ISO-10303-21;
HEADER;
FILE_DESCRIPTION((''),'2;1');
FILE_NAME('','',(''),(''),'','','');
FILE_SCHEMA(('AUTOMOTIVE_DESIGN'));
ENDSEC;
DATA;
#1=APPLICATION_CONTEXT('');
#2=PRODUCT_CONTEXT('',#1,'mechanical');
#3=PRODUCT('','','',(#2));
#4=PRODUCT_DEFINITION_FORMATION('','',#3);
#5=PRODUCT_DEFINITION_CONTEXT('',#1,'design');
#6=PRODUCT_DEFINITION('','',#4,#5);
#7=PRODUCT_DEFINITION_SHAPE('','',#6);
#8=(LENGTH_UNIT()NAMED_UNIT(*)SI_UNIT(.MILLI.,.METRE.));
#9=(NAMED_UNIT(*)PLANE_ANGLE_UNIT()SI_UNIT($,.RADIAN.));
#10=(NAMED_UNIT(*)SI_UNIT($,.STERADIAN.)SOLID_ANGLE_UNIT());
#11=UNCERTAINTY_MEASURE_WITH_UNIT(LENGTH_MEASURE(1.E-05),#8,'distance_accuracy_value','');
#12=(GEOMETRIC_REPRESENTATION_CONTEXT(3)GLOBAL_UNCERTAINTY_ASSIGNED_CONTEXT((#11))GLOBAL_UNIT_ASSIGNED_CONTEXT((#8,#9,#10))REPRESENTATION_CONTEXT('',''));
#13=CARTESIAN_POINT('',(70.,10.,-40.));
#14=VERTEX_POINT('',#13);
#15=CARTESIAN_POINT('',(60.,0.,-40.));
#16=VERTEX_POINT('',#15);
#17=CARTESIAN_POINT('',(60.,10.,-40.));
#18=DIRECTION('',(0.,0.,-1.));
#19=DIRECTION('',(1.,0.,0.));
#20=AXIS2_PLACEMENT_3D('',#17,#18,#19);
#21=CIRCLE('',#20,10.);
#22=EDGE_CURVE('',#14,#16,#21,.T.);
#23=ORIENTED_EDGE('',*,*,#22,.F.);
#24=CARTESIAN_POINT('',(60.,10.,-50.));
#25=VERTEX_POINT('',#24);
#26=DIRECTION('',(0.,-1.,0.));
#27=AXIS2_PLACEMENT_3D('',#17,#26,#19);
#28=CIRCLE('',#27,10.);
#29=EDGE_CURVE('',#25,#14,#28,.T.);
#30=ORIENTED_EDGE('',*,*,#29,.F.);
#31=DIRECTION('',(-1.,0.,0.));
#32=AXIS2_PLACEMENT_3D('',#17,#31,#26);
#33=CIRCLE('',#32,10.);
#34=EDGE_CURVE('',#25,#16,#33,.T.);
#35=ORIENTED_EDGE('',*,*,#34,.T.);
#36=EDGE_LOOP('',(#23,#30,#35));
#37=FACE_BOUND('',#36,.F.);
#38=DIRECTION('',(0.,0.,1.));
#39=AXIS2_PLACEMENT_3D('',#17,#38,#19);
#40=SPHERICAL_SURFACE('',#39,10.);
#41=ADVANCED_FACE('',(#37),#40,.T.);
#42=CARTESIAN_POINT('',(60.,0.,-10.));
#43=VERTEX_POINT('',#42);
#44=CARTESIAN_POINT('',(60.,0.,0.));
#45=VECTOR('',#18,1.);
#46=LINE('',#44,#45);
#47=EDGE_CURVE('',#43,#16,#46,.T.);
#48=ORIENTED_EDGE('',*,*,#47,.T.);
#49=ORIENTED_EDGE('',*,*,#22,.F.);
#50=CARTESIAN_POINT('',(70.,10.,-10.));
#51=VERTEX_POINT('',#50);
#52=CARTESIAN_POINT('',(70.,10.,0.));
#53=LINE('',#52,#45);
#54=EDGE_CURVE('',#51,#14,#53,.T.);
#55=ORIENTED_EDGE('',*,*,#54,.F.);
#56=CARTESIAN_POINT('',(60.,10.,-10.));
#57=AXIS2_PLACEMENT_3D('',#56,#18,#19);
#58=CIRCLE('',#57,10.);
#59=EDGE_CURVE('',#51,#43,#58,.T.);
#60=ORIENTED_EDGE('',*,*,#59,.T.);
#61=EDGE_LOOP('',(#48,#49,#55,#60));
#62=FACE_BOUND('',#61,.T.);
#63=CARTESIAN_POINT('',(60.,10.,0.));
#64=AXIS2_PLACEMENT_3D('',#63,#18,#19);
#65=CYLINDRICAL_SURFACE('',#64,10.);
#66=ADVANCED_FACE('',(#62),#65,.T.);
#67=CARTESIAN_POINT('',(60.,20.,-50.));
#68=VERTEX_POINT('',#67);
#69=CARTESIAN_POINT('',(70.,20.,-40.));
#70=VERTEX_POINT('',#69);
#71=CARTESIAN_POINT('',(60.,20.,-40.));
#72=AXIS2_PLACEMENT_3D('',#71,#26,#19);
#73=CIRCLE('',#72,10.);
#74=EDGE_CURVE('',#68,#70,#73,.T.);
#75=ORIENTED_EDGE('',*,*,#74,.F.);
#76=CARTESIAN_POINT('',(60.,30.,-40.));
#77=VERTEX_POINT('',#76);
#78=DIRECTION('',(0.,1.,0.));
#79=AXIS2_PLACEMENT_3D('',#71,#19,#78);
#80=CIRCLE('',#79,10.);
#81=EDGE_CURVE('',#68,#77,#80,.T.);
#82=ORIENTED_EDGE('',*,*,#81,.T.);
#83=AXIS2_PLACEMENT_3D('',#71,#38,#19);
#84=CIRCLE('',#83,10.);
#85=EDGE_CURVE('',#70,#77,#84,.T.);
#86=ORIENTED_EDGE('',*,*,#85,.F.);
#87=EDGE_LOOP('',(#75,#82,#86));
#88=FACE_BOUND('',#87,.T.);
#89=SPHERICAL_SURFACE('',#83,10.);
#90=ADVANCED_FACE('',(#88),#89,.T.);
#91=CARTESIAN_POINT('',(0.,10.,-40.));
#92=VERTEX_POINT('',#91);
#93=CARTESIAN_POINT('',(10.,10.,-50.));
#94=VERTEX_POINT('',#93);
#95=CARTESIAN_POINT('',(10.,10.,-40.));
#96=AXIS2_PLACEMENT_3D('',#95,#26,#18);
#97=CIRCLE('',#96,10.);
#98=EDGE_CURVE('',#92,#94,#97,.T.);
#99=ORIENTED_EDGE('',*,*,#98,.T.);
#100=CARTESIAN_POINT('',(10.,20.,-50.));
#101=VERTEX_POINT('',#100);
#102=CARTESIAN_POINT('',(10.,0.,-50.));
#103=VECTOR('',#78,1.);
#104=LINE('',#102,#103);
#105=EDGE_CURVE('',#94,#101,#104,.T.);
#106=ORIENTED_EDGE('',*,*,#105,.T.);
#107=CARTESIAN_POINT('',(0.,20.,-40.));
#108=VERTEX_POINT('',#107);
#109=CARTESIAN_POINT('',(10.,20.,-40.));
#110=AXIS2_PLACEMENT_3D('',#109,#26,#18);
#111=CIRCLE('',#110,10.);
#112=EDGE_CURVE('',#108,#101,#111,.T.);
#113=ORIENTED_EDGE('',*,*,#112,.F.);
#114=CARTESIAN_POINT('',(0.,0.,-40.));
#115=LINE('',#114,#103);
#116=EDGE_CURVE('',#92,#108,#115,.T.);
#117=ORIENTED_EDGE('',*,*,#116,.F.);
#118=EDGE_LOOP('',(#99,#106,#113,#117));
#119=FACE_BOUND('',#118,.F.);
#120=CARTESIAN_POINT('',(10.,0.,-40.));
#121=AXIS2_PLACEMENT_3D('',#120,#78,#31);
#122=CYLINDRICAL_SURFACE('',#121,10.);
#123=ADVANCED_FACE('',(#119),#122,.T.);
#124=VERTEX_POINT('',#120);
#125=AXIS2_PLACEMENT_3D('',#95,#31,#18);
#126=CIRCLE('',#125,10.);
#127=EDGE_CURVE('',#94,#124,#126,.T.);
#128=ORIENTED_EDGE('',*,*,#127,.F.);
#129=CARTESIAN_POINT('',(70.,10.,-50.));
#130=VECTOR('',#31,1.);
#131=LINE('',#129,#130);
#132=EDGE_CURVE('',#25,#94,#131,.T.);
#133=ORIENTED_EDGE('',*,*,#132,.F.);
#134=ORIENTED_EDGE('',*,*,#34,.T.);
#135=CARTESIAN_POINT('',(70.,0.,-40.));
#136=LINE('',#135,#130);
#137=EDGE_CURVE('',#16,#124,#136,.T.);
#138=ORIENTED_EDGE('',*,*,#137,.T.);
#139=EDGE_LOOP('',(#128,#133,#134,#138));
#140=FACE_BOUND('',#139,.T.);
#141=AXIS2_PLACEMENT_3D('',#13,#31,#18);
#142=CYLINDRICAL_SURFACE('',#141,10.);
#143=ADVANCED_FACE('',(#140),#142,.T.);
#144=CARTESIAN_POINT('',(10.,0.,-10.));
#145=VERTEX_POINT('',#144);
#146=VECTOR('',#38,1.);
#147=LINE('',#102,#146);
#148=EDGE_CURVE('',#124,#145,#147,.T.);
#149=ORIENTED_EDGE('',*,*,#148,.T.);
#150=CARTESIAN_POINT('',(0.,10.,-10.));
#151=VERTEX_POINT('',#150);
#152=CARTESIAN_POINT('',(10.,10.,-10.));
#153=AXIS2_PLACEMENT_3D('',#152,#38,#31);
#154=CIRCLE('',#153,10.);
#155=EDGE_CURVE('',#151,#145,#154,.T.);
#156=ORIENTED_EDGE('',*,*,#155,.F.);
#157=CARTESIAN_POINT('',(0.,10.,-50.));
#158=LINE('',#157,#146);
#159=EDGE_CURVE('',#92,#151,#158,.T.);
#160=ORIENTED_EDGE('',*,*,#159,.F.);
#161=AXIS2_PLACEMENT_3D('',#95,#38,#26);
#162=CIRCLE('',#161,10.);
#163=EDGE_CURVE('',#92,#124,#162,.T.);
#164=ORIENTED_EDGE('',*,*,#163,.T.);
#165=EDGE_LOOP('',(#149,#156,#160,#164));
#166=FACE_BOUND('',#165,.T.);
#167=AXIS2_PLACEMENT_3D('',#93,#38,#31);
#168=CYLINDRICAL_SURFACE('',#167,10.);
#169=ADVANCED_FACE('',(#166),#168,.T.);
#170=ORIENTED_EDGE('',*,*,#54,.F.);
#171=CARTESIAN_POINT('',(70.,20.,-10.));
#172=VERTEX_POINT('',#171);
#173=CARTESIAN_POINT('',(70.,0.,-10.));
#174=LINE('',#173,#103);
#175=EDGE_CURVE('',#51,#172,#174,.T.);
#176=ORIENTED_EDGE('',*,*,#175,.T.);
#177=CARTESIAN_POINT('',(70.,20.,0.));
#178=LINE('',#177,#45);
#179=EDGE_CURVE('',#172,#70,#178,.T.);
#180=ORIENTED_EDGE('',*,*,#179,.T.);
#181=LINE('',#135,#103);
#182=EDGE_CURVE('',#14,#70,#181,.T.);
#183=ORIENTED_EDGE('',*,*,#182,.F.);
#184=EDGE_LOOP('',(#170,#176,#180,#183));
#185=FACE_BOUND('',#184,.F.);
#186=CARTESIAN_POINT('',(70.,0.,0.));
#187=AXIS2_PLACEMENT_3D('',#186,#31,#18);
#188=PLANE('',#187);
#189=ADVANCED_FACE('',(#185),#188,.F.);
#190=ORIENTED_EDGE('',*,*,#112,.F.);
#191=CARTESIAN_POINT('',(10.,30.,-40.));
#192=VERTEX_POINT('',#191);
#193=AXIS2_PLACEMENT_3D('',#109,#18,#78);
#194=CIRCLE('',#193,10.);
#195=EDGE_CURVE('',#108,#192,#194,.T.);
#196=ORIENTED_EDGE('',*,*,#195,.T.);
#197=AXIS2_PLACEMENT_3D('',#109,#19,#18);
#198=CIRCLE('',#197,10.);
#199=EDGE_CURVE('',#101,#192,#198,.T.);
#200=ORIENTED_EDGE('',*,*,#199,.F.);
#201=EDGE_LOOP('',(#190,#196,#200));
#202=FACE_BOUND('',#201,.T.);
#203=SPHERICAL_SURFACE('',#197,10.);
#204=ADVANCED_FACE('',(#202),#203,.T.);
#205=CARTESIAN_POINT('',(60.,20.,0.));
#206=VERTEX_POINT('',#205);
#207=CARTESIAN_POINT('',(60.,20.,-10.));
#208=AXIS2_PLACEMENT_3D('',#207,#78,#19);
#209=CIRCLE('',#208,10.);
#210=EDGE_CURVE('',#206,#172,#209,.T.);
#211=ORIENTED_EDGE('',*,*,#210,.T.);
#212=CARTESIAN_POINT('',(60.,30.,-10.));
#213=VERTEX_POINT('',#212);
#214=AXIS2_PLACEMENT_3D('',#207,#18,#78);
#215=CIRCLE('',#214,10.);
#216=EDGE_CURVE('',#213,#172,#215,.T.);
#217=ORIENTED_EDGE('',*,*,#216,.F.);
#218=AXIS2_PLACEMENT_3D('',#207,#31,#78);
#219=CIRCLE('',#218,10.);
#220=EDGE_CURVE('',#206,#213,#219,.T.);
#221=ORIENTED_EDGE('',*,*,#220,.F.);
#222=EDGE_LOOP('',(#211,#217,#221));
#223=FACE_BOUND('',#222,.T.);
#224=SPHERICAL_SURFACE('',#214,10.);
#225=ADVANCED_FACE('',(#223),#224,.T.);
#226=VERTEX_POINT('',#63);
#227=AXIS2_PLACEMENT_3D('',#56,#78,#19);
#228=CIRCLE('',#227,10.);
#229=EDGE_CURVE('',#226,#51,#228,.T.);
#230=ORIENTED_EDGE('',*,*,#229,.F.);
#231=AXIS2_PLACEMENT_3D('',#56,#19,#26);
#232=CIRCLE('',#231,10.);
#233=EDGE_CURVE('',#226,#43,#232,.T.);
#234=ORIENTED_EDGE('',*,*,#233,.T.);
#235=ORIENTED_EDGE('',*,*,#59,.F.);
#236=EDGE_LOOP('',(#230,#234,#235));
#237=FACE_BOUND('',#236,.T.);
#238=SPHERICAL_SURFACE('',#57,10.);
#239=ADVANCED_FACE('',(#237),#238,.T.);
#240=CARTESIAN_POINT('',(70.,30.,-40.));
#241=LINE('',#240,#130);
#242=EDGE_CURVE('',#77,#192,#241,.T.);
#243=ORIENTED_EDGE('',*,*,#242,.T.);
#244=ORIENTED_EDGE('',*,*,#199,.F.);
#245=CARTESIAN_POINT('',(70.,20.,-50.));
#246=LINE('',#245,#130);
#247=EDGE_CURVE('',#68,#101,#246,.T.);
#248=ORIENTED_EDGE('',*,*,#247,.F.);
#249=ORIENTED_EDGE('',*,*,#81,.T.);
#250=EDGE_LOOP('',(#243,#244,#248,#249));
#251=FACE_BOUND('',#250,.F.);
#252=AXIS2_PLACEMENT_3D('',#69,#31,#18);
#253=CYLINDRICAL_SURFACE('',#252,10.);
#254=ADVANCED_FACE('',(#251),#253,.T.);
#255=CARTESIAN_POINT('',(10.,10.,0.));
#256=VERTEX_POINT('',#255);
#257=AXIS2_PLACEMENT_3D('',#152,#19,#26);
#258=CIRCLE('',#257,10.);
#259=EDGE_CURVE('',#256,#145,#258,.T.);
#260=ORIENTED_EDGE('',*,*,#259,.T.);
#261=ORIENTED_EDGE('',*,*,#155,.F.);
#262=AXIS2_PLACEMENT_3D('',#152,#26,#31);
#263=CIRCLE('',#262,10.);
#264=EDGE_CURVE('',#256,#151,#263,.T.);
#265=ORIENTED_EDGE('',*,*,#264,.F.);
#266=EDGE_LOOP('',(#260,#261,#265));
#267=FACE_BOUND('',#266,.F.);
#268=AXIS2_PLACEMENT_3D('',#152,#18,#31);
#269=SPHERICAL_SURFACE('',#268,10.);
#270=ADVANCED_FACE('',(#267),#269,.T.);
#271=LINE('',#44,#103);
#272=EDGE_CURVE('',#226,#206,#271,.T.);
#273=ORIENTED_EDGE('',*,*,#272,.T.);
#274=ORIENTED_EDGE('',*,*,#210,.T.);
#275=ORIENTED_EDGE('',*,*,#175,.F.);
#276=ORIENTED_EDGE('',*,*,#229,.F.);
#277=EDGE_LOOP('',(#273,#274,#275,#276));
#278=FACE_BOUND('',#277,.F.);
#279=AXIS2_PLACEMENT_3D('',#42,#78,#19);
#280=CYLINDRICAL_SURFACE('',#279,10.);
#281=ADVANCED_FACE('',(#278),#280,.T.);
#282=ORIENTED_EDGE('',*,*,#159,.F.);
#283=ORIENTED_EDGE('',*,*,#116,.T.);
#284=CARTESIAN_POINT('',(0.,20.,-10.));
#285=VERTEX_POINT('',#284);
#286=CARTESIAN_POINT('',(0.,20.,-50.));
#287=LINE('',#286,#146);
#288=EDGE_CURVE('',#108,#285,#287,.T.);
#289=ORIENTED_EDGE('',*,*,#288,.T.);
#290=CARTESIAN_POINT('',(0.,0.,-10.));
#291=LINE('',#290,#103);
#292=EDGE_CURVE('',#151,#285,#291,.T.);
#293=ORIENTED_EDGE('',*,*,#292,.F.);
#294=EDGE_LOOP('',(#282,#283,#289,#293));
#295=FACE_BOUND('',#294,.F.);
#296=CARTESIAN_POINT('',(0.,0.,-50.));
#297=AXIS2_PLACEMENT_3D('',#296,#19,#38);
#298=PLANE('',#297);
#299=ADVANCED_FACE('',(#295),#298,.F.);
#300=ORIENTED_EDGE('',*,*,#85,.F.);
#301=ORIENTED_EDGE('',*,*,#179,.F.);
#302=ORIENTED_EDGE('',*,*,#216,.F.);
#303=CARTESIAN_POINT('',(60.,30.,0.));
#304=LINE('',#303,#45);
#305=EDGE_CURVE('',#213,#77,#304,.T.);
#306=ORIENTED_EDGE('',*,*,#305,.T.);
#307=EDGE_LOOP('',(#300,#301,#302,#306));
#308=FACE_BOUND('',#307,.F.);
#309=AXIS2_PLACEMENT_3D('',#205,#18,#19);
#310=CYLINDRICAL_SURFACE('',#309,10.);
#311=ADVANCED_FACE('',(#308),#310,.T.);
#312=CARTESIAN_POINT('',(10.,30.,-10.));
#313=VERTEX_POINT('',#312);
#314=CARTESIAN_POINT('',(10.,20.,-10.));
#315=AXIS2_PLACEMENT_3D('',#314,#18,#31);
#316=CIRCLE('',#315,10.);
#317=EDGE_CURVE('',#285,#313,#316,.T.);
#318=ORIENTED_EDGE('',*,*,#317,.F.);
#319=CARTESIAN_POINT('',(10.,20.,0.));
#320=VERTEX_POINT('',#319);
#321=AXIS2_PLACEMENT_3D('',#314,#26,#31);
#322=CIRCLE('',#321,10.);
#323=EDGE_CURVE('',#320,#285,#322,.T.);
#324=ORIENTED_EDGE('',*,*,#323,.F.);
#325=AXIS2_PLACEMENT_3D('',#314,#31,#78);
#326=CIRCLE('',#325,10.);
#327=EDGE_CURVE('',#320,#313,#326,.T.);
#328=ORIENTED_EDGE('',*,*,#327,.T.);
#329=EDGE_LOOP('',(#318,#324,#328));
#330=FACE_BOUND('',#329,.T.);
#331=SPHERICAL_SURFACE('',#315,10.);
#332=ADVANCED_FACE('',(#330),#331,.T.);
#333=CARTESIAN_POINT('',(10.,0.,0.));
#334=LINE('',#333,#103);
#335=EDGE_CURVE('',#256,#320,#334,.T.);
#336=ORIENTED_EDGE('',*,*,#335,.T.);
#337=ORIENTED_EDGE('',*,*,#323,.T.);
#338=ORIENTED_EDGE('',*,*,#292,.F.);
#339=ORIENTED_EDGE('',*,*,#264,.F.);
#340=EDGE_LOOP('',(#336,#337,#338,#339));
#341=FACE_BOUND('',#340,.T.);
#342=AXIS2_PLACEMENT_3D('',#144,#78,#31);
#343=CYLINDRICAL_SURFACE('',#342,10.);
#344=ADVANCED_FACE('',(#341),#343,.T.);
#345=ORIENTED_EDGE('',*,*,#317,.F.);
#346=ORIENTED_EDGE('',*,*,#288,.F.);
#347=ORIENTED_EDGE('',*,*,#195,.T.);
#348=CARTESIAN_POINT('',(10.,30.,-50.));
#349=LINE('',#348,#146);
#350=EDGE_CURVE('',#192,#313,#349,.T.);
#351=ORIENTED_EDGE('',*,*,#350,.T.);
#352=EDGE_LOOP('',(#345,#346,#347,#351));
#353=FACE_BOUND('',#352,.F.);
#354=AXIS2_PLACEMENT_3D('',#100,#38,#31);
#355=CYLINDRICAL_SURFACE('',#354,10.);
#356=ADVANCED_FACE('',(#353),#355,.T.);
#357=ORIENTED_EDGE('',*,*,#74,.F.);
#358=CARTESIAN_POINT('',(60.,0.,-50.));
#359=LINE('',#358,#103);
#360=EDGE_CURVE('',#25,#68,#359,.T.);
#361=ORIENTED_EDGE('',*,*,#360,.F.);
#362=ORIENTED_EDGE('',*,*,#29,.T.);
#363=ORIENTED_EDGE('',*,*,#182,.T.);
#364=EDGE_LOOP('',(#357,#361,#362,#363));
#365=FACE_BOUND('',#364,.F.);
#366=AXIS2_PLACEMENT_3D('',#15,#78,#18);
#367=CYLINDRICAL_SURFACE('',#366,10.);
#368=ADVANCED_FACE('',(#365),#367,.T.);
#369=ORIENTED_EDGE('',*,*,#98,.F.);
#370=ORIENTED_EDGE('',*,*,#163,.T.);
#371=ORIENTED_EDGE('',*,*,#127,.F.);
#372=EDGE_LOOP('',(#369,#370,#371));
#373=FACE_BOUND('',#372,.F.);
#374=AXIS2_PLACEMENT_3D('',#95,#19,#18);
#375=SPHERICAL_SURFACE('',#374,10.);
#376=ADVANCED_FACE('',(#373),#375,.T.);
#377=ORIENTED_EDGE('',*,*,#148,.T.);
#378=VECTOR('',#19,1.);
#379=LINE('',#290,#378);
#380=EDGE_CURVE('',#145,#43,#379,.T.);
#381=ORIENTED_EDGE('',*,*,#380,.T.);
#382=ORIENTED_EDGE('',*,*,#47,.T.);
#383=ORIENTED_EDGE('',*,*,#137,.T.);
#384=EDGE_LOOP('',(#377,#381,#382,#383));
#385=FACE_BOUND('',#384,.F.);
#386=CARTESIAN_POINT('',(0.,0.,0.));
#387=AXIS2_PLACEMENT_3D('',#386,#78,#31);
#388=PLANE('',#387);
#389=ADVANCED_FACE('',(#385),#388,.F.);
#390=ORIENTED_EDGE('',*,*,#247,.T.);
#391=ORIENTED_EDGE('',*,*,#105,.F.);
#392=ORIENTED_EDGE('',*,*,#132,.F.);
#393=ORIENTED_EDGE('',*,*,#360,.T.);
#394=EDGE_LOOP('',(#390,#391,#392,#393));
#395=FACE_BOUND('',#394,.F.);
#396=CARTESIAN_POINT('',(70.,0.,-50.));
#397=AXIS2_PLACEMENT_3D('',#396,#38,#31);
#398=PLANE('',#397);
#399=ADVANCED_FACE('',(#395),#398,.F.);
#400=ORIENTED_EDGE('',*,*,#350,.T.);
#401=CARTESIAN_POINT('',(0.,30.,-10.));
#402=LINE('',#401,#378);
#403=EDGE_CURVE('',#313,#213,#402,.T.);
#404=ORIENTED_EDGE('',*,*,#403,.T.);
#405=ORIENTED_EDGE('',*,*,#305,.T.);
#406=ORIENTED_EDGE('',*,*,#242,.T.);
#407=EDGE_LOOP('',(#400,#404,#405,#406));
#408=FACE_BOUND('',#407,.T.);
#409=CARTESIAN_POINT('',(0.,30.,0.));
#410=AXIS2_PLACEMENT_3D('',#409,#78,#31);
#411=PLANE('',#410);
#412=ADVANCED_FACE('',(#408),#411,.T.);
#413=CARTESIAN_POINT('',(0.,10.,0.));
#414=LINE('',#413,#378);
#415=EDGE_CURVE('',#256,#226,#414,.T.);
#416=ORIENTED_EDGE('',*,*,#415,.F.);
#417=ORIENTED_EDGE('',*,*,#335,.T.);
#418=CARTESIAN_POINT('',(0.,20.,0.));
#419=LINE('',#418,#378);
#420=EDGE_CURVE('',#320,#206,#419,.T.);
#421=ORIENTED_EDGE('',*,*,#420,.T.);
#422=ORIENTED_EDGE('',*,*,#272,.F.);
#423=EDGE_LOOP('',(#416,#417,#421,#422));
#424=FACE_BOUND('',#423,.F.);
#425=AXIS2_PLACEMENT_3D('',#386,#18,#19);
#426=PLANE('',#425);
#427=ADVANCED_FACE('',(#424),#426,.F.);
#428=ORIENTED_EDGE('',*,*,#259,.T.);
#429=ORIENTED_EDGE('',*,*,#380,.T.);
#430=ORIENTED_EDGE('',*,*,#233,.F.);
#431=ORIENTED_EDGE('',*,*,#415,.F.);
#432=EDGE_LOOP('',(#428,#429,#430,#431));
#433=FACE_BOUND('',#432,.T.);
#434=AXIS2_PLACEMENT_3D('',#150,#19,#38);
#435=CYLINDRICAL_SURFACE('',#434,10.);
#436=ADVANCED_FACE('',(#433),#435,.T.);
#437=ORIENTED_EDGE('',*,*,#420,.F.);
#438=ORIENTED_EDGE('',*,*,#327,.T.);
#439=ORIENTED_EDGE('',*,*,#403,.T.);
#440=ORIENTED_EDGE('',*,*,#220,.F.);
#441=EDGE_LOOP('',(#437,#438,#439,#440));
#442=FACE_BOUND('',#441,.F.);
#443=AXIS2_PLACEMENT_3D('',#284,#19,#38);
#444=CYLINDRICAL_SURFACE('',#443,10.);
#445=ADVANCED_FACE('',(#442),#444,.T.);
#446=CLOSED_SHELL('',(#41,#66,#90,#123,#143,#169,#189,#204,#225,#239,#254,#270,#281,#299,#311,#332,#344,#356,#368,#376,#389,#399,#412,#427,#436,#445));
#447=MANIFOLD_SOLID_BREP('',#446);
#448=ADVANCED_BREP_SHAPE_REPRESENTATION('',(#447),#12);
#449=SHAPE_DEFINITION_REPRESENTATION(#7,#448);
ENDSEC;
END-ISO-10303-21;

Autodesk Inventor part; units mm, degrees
ref_plane "YZ Plane" through (0, 0, 0) normal (1, 0, 0) x (0, 1, 0)
ref_plane "XZ Plane" through (0, 0, 0) normal (0, 1, 0) x (-1, 0, 0)
ref_plane "XY Plane" through (0, 0, 0) normal (0, 0, 1) x (1, 0, 0)
sketch "スケッチ1" plane through (0, 0, 0) normal (0, 1, 0) x (-1, 0, 0)
  line L0 (0, 0) -> (-70, 0)
  line L1 (-70, 0) -> (-70, -50)
  line L2 (-70, -50) -> (0, -50)
  line L3 (0, -50) -> (0, 0)
  dimension "d0" = 70
  dimension "d1" = 50
extrude "押し出し1" add sketch "スケッチ1" along normal blind 30
fillet "フィレット1" radius 10 12 edges at (70, 30, -25) (70, 0, -25) (70, 15, -50) (35, 30, -50) (35, 0, -50) (0, 15, -50) (0, 30, -25) (0, 0, -25) (0, 15, 0) (35, 30, 0) (70, 15, 0) (35, 0, 0)
properties part number "chicken"
